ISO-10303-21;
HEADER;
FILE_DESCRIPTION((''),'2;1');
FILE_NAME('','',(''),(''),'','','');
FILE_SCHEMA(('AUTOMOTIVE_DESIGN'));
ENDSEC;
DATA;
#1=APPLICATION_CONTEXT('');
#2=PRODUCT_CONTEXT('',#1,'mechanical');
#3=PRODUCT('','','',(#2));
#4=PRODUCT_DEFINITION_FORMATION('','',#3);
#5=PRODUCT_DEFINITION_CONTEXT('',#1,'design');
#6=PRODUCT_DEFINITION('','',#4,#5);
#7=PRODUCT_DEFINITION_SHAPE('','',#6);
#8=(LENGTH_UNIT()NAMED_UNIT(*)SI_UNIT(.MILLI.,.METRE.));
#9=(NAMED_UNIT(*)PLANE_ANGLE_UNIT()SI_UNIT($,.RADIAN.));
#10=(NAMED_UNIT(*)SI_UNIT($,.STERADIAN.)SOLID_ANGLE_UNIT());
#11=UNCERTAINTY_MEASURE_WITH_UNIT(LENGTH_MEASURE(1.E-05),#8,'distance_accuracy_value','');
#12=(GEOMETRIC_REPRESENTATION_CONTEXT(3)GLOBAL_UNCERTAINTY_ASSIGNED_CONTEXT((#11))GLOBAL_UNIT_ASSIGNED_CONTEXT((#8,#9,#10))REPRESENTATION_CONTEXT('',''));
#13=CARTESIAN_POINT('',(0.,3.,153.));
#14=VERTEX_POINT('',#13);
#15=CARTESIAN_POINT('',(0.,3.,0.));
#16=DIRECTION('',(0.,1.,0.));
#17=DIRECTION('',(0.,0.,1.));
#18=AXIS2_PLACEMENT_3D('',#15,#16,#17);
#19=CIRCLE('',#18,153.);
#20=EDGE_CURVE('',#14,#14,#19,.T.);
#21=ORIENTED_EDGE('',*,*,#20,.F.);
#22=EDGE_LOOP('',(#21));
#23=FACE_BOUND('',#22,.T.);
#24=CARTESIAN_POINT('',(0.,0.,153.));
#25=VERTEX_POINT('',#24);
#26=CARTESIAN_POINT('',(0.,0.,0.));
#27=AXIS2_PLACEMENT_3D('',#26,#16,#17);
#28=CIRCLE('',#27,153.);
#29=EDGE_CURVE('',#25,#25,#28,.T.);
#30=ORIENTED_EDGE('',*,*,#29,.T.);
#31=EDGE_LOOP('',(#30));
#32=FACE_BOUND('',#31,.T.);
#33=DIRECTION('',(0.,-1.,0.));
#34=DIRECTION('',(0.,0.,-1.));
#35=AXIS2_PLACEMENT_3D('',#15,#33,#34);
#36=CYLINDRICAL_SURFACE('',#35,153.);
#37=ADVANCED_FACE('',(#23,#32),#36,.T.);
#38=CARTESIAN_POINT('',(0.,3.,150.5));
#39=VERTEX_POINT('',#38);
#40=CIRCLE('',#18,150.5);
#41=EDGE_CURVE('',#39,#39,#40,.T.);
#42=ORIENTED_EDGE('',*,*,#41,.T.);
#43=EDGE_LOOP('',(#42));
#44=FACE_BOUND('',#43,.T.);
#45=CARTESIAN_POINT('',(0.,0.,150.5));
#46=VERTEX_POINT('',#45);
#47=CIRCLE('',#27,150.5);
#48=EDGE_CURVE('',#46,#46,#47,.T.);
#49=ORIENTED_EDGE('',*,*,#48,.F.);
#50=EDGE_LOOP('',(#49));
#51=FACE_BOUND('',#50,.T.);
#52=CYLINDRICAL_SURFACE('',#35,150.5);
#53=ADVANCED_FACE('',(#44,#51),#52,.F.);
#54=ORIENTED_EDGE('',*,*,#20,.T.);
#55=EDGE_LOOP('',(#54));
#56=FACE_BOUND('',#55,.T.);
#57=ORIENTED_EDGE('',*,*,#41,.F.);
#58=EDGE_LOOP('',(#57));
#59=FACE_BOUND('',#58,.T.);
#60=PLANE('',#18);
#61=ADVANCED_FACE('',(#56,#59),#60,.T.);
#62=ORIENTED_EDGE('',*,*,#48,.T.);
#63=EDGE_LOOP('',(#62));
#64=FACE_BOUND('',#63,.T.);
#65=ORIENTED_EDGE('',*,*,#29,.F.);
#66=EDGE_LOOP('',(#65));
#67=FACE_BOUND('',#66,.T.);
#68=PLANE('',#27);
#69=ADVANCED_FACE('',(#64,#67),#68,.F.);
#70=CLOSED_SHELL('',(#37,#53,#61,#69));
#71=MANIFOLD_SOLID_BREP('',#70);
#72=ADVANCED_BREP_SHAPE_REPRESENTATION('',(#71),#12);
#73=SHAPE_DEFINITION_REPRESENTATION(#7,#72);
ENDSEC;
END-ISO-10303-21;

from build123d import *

# Parameters (mm, degrees)
SKETCH2_R           = 153
SKETCH2_R_2         = 150.5
BOSS_EXTRUDE1_DEPTH = 3


with BuildPart() as part:
    # Sketch2 → Boss-Extrude1 (new body)
    with BuildSketch(Plane(origin=(0, 0, 0), x_dir=(1, 0, 0), z_dir=(0, 1, 0))):
        Circle(SKETCH2_R)
        Circle(SKETCH2_R_2, mode=Mode.SUBTRACT)
    extrude(amount=BOSS_EXTRUDE1_DEPTH)


solid = part.part
